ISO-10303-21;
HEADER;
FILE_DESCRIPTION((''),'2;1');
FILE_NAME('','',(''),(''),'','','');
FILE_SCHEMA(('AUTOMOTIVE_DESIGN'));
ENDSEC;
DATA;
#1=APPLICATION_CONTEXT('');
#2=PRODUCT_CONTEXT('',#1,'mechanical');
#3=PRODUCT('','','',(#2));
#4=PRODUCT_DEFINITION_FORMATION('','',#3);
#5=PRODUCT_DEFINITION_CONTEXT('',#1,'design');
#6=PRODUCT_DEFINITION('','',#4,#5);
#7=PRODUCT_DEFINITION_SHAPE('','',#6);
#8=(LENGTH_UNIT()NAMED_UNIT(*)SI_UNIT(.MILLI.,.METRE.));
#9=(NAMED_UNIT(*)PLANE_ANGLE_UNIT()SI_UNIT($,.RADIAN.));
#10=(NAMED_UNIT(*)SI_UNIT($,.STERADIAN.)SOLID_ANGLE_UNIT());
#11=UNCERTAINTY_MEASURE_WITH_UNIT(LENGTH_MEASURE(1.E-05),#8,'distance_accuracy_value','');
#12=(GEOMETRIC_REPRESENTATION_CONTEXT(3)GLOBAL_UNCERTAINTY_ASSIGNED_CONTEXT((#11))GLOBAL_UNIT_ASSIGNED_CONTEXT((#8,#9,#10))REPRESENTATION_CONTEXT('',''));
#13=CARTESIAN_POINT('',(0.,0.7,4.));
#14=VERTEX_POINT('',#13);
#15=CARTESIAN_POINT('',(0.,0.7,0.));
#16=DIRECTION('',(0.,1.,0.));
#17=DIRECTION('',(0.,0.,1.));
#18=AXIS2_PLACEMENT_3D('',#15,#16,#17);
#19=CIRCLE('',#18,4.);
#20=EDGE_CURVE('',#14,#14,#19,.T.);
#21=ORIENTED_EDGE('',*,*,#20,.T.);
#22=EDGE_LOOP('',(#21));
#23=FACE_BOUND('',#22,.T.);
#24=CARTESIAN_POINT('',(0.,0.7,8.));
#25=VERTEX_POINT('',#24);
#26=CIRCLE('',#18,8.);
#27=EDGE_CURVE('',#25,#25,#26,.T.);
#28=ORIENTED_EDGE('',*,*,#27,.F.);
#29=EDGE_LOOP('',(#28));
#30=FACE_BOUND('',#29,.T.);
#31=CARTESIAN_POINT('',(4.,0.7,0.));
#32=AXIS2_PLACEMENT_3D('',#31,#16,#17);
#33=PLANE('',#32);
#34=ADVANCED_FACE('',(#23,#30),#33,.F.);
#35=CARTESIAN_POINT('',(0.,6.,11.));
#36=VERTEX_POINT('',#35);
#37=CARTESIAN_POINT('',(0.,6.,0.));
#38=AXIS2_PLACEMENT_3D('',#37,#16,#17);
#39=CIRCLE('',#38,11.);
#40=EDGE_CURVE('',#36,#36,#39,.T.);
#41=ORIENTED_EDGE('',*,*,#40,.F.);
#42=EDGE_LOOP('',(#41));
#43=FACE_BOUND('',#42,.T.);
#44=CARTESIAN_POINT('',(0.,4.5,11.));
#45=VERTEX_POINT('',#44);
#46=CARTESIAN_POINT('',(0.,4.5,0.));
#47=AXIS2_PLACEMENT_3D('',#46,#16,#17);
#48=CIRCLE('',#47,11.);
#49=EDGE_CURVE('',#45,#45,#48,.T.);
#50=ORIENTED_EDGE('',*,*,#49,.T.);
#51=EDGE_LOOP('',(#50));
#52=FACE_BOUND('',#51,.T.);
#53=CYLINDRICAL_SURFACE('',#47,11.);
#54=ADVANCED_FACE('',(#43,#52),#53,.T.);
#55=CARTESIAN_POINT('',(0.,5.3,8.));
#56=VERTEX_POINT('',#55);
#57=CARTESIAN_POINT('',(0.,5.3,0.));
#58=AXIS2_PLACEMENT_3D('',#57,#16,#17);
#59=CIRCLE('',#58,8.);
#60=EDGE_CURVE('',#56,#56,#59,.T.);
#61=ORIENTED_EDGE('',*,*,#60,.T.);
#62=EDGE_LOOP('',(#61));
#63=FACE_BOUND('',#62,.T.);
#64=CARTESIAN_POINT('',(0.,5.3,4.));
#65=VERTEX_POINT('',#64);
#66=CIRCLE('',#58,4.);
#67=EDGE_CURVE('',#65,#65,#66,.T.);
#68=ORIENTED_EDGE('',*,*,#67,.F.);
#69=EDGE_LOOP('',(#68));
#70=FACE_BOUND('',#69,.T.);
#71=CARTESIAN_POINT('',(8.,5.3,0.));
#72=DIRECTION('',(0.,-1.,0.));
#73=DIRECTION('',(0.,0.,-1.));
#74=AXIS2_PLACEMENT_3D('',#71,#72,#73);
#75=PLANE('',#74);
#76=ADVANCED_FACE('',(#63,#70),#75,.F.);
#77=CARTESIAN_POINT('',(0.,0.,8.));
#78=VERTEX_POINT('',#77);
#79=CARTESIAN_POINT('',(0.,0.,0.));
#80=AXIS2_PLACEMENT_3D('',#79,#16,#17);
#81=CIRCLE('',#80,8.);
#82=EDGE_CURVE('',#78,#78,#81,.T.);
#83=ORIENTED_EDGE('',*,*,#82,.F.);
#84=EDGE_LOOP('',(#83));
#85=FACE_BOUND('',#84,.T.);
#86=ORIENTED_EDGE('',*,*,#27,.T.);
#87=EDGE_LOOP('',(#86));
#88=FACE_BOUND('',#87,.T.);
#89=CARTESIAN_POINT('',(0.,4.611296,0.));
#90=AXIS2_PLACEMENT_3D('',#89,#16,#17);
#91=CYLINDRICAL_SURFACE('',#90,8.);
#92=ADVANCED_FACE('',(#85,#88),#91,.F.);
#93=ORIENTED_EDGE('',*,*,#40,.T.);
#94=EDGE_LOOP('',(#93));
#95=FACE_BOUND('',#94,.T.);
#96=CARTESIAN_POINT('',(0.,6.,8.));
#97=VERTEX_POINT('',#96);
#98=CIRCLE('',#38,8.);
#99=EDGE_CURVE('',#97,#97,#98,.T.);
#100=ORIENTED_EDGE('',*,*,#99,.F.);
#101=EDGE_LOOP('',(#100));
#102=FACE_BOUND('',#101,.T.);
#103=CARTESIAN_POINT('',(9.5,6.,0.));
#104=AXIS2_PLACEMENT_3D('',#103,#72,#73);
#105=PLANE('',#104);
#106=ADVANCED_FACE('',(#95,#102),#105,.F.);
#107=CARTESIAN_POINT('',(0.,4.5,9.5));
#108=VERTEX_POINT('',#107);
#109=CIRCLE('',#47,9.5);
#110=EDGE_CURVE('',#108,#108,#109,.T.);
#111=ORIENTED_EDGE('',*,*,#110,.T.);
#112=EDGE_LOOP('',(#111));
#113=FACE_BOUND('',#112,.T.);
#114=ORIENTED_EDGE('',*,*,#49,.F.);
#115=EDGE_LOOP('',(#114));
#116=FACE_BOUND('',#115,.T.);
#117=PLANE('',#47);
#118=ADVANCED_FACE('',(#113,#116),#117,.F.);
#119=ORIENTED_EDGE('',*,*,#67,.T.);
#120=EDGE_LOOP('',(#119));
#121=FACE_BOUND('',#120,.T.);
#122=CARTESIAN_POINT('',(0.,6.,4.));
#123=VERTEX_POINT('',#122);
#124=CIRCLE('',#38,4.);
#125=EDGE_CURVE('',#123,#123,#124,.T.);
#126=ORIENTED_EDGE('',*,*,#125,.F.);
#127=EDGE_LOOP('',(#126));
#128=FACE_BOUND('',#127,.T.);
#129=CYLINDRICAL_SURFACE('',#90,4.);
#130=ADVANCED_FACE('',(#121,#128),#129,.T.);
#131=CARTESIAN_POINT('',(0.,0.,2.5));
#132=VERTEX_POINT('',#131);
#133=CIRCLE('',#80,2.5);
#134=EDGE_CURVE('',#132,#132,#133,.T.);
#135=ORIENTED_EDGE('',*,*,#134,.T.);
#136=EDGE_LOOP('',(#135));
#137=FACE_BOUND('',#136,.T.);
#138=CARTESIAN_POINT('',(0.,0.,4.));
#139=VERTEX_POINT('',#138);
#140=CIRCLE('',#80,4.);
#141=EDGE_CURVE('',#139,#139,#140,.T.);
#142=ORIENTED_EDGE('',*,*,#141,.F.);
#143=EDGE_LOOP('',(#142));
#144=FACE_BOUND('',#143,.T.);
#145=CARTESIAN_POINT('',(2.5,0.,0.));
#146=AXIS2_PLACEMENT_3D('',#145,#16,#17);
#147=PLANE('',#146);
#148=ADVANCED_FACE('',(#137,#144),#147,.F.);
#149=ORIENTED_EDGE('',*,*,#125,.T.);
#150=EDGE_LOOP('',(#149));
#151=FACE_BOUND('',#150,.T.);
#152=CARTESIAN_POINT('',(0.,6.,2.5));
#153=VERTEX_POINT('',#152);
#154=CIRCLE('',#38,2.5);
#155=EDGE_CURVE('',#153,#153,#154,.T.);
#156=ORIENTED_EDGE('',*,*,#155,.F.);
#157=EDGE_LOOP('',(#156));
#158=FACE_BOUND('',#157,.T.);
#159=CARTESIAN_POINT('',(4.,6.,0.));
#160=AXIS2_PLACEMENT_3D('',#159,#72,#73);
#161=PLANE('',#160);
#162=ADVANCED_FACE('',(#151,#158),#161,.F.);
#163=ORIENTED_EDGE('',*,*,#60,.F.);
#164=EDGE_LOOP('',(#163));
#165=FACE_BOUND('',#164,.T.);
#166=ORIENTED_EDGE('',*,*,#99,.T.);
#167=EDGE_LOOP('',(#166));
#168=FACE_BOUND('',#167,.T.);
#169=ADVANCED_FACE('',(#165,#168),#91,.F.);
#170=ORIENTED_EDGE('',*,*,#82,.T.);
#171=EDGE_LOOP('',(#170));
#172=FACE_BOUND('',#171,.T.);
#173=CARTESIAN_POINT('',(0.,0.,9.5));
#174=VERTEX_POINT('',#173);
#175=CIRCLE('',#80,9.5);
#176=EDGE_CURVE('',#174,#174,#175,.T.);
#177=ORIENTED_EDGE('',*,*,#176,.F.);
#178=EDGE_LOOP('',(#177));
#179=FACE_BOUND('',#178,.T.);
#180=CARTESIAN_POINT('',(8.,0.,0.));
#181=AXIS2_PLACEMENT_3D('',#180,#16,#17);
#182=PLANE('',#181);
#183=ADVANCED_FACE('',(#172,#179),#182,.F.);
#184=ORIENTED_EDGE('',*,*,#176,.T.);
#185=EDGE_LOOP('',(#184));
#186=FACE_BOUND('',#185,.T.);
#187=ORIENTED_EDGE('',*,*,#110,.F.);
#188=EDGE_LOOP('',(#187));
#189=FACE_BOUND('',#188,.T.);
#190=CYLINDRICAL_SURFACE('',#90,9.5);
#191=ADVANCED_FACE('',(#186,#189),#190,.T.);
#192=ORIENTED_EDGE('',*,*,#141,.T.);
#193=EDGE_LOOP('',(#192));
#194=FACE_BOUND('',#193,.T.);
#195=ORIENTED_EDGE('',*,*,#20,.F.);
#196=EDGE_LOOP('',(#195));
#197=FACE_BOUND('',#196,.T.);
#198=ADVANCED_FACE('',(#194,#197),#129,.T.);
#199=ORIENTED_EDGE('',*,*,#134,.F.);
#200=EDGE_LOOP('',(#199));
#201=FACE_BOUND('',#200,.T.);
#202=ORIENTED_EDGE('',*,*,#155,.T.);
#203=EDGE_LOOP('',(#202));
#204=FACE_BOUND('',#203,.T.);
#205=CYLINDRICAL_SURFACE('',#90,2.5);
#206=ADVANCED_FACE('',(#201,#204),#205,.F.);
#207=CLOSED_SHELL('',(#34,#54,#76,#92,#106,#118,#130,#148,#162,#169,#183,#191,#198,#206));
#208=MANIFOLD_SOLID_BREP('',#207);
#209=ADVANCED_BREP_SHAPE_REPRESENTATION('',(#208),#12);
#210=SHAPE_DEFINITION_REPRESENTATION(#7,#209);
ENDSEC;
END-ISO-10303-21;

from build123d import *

# Parameters (mm, degrees)
SKETCH_2_R      = 11
SKETCH_2_R_2    = 9.5
EXTRUDE_1_DEPTH = 1.5


with BuildPart() as part:
    # 草图1 → 旋转1 (revolve)
    with BuildSketch(Plane.XY, mode=Mode.PRIVATE) as revolve_1_sk:
        Polygon((2.5, 6), (2.5, 0), (4, 0), (4, 0.7), (8, 0.7), (8, 0), (9.5, 0), (9.5, 6), (8, 6), (8, 5.3), (4, 5.3), (4, 6), align=None)
    revolve(revolve_1_sk.sketch.rotate(Axis((0, 4.611296038, 0), (0, -1, 0)), 90), axis=Axis((0, 4.611296038, 0), (0, -1, 0)))

    # 草图2 → 凸台-拉伸1 (add)
    with BuildSketch(Plane(origin=(0, 6, 0), x_dir=(1, 0, 0), z_dir=(0, 1, 0))):
        with Locations(Location((0, 0, 0), (0, 0, 270))):
            Circle(SKETCH_2_R)
        with Locations(Location((0, 0, 0), (0, 0, 270))):
            Circle(SKETCH_2_R_2, mode=Mode.SUBTRACT)
    extrude(amount=-EXTRUDE_1_DEPTH)


solid = part.part
